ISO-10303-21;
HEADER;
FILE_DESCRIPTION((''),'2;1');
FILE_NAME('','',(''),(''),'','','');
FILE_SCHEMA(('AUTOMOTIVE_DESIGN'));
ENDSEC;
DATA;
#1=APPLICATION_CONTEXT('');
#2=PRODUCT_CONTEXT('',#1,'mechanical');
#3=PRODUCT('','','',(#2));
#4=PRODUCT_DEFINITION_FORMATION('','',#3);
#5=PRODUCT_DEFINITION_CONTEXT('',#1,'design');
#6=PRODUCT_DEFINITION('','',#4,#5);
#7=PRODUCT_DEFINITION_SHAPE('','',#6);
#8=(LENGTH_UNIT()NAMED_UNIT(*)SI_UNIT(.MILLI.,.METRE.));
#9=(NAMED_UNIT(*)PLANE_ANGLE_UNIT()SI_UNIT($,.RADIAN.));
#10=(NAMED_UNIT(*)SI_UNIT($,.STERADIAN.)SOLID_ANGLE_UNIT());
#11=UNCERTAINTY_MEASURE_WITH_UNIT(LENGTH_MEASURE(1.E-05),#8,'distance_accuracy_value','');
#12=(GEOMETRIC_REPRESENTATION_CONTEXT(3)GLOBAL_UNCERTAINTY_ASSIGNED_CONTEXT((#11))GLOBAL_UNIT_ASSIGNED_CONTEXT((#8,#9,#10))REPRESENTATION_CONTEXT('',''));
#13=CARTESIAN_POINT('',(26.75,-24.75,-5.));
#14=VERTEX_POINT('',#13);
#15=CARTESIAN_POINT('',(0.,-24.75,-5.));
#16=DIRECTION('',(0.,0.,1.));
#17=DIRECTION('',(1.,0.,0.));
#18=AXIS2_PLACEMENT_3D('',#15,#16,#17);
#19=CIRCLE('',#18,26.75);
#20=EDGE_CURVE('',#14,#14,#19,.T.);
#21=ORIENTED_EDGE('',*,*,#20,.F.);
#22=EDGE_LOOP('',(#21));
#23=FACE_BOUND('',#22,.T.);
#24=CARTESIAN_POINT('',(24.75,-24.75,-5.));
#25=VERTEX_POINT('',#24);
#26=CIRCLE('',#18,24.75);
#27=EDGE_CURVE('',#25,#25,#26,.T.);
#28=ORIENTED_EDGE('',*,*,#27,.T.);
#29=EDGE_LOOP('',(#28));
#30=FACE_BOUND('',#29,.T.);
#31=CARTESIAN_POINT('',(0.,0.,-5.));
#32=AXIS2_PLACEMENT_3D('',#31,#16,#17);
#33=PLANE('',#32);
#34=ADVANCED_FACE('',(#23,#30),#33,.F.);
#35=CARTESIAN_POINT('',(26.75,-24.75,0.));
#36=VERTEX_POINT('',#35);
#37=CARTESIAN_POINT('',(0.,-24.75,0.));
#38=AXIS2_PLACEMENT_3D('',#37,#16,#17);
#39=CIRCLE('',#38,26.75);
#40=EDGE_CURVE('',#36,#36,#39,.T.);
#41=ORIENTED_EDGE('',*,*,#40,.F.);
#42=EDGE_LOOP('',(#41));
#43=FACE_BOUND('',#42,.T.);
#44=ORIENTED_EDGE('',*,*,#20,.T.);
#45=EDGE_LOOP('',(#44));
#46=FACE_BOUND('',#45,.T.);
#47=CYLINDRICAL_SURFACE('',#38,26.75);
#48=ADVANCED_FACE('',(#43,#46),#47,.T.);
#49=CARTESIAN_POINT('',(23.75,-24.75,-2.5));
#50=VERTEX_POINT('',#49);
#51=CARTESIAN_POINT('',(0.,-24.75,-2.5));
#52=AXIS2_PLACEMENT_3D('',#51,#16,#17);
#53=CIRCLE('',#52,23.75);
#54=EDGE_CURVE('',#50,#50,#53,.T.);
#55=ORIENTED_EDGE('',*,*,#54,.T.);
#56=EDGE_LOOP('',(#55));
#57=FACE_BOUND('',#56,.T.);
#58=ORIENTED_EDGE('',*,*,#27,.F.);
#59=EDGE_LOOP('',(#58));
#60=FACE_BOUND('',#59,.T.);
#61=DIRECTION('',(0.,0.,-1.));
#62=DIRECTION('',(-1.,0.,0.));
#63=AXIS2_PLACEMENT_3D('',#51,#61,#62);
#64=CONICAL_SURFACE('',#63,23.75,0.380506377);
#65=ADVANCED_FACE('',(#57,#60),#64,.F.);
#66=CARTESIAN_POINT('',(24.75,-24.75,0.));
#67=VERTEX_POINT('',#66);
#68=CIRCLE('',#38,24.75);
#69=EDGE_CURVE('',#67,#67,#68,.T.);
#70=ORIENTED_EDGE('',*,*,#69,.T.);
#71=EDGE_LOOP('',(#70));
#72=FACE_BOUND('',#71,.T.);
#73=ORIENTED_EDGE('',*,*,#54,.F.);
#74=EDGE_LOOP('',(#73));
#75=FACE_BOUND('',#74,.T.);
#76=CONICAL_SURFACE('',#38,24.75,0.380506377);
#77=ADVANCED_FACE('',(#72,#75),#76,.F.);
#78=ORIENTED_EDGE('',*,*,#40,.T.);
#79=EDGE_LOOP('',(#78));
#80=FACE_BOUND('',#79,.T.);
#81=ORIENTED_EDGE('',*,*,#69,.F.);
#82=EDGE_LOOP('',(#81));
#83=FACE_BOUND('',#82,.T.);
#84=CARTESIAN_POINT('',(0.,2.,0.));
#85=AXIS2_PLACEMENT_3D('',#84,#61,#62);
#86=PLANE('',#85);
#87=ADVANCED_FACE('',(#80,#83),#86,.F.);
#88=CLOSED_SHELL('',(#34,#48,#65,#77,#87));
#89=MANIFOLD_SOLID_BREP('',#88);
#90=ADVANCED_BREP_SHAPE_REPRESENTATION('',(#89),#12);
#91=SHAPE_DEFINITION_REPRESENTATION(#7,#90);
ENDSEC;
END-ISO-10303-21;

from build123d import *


with BuildPart() as part:
    # Sketch1 → Revolve1 (revolve)
    with BuildSketch(Plane(origin=(0, 0, 0), x_dir=(0, 0, -1), z_dir=(1, 0, 0)), mode=Mode.PRIVATE) as revolve1_sk:
        Polygon((0, 0), (2.5, -1), (5, 0), (5, 2), (0, 2), align=None)
    revolve(revolve1_sk.sketch.rotate(Axis((0, -24.75, 0), (0, 0, -1)), 90), axis=Axis((0, -24.75, 0), (0, 0, -1)))


solid = part.part
